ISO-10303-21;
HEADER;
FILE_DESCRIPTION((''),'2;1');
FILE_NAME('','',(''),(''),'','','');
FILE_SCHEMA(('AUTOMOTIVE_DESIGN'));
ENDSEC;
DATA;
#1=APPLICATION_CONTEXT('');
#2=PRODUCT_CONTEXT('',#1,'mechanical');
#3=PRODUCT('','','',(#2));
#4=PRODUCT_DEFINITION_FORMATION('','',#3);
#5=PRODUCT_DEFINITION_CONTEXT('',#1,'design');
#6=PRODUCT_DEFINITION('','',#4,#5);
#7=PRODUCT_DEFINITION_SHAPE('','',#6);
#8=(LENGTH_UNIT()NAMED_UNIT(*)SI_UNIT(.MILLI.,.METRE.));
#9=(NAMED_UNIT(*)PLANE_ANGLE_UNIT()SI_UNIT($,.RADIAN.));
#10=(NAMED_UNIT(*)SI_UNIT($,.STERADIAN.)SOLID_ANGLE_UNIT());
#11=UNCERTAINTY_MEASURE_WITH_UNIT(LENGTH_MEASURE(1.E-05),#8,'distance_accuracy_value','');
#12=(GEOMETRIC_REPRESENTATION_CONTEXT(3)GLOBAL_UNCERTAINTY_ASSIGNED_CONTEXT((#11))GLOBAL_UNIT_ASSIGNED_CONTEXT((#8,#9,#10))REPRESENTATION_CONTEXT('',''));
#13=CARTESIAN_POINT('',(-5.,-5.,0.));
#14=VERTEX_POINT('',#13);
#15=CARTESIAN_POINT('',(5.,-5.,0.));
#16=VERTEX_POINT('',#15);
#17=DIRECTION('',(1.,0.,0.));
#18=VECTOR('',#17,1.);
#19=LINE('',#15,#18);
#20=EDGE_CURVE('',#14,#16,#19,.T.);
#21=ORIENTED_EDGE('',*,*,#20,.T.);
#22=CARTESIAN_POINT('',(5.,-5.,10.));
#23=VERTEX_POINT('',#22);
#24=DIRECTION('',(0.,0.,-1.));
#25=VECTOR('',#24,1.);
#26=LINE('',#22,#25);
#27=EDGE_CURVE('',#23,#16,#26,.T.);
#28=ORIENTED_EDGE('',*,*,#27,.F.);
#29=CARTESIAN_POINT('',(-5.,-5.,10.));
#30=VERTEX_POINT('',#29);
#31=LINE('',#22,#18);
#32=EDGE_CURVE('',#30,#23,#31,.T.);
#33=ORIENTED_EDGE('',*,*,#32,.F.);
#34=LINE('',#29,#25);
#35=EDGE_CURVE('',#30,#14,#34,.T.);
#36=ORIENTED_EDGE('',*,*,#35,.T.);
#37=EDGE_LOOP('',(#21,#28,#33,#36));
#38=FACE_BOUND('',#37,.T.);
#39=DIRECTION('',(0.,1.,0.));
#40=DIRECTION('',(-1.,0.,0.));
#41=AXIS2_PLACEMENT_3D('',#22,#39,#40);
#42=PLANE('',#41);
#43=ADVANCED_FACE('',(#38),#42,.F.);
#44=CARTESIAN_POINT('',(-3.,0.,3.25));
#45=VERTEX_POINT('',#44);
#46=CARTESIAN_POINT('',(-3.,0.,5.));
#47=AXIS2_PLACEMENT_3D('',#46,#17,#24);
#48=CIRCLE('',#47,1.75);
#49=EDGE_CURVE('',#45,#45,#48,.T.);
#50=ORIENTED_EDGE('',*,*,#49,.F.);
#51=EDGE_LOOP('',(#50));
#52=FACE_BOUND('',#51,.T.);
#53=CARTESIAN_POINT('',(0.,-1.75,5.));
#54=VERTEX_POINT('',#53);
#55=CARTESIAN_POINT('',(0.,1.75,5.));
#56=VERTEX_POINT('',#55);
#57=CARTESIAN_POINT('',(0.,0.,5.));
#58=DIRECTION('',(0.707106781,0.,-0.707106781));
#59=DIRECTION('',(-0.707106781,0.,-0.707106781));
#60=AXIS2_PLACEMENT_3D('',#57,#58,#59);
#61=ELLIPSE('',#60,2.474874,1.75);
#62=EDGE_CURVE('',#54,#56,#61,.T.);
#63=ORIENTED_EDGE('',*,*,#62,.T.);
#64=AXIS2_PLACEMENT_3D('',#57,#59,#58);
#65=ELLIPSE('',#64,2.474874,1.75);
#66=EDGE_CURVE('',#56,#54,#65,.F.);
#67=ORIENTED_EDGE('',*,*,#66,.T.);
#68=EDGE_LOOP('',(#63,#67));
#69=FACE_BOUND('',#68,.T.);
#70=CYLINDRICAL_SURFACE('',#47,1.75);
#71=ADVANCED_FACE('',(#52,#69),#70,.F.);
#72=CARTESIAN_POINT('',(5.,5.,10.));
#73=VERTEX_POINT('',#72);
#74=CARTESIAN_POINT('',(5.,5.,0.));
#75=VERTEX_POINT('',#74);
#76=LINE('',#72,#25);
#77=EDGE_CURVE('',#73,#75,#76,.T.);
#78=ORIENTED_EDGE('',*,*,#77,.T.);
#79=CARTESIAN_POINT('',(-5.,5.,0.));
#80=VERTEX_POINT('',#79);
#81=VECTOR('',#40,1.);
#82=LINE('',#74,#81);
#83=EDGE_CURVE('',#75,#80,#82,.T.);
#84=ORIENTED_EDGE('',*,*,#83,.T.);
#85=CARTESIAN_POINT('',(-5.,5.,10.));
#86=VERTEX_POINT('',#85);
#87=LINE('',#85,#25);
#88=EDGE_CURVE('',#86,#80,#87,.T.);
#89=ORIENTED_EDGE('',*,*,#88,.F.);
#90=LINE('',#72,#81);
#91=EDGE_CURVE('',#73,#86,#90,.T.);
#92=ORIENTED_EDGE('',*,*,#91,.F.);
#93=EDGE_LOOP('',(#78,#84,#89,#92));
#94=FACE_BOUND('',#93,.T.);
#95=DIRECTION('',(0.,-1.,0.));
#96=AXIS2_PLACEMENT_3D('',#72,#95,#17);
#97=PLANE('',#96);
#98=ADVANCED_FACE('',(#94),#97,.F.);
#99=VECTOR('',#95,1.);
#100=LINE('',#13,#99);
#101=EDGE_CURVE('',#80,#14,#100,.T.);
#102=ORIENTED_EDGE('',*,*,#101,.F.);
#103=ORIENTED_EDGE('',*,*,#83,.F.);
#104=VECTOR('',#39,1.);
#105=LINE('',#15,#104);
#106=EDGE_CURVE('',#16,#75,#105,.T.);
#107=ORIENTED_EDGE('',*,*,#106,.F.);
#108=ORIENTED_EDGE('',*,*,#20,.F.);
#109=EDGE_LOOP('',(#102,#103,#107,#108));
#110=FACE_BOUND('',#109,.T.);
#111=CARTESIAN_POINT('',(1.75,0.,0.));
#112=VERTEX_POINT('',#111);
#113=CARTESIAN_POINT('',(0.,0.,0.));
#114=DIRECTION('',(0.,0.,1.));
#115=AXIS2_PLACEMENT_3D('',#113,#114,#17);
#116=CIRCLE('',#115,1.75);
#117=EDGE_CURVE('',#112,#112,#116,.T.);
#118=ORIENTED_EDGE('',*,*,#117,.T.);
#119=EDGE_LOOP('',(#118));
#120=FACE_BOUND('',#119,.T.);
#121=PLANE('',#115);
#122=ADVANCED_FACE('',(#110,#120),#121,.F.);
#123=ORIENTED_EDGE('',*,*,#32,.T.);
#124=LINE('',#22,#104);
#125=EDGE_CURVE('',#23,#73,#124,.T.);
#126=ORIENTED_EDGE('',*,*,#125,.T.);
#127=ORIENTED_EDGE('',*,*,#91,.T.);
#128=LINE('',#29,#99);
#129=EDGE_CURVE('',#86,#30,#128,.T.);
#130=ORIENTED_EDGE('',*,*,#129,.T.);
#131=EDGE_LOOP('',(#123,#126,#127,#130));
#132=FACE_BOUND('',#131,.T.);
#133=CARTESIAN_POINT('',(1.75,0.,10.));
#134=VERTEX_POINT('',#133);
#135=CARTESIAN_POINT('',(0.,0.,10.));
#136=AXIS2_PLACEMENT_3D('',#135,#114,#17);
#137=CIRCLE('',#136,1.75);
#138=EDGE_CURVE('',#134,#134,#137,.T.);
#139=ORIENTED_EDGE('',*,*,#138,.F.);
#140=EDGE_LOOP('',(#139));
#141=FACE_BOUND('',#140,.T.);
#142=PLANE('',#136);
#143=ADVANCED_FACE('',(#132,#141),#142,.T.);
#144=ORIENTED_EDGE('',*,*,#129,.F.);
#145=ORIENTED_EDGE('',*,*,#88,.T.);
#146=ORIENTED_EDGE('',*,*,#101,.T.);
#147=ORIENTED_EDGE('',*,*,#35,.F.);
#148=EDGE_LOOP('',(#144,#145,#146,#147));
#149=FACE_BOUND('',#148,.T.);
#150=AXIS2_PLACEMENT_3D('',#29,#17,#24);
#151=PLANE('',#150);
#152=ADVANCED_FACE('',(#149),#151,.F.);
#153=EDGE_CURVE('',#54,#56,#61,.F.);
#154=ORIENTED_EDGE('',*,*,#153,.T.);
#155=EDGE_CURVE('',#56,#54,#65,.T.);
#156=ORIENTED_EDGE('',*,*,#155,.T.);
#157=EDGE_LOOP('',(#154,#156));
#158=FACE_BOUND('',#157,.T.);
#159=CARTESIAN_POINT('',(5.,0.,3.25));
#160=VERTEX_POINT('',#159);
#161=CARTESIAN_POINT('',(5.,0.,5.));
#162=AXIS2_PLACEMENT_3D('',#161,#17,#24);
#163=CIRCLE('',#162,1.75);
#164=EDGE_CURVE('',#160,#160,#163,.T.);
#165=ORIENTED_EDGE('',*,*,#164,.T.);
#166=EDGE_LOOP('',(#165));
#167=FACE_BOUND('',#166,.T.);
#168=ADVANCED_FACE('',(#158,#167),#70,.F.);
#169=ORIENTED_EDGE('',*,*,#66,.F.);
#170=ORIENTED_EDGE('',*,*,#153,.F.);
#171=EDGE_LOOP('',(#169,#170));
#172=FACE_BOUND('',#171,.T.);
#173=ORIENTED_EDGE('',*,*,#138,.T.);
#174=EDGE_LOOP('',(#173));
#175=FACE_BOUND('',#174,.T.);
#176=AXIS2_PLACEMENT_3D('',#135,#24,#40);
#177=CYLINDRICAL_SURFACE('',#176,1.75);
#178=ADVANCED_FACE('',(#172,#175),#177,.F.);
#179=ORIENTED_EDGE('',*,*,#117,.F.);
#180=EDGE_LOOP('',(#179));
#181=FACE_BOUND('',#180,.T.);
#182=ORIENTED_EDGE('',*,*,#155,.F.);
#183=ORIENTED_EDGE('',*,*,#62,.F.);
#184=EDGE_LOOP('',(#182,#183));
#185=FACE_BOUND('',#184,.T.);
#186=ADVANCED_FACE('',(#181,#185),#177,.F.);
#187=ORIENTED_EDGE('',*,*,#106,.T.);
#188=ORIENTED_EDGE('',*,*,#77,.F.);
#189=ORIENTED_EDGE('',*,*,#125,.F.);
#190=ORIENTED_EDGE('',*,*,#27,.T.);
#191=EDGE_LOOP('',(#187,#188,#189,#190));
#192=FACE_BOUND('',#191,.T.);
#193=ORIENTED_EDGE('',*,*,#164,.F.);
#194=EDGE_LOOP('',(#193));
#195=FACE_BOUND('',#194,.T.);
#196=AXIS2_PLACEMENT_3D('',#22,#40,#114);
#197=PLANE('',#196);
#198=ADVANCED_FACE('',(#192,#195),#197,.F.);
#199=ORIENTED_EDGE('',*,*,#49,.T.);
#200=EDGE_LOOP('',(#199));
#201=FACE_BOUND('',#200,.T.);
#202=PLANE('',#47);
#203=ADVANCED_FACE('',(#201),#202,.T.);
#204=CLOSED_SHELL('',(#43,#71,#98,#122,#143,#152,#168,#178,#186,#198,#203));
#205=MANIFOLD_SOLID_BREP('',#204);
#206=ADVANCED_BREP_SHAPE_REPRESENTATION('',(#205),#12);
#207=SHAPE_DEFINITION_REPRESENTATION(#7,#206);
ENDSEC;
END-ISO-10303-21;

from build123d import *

# Parameters (mm, degrees)
SKETCH1_W           = 10
SKETCH1_H           = 10
SKETCH1_R           = 1.75
BOSS_EXTRUDE1_DEPTH = 10
SKETCH2_R           = 1.75
CUT_EXTRUDE1_DEPTH  = 8


with BuildPart() as part:
    # Sketch1 → Boss-Extrude1 (new body)
    with BuildSketch(Plane.XY):
        Rectangle(SKETCH1_W, SKETCH1_H)
        Circle(SKETCH1_R, mode=Mode.SUBTRACT)
    extrude(amount=BOSS_EXTRUDE1_DEPTH)

    # Sketch2 → Cut-Extrude1 (cut)
    with BuildSketch(Plane(origin=(5, 0, 0), x_dir=(0, 0, -1), z_dir=(1, 0, 0))):
        with Locations((-5, 0)):
            Circle(SKETCH2_R)
    extrude(amount=-CUT_EXTRUDE1_DEPTH, mode=Mode.SUBTRACT)


solid = part.part
